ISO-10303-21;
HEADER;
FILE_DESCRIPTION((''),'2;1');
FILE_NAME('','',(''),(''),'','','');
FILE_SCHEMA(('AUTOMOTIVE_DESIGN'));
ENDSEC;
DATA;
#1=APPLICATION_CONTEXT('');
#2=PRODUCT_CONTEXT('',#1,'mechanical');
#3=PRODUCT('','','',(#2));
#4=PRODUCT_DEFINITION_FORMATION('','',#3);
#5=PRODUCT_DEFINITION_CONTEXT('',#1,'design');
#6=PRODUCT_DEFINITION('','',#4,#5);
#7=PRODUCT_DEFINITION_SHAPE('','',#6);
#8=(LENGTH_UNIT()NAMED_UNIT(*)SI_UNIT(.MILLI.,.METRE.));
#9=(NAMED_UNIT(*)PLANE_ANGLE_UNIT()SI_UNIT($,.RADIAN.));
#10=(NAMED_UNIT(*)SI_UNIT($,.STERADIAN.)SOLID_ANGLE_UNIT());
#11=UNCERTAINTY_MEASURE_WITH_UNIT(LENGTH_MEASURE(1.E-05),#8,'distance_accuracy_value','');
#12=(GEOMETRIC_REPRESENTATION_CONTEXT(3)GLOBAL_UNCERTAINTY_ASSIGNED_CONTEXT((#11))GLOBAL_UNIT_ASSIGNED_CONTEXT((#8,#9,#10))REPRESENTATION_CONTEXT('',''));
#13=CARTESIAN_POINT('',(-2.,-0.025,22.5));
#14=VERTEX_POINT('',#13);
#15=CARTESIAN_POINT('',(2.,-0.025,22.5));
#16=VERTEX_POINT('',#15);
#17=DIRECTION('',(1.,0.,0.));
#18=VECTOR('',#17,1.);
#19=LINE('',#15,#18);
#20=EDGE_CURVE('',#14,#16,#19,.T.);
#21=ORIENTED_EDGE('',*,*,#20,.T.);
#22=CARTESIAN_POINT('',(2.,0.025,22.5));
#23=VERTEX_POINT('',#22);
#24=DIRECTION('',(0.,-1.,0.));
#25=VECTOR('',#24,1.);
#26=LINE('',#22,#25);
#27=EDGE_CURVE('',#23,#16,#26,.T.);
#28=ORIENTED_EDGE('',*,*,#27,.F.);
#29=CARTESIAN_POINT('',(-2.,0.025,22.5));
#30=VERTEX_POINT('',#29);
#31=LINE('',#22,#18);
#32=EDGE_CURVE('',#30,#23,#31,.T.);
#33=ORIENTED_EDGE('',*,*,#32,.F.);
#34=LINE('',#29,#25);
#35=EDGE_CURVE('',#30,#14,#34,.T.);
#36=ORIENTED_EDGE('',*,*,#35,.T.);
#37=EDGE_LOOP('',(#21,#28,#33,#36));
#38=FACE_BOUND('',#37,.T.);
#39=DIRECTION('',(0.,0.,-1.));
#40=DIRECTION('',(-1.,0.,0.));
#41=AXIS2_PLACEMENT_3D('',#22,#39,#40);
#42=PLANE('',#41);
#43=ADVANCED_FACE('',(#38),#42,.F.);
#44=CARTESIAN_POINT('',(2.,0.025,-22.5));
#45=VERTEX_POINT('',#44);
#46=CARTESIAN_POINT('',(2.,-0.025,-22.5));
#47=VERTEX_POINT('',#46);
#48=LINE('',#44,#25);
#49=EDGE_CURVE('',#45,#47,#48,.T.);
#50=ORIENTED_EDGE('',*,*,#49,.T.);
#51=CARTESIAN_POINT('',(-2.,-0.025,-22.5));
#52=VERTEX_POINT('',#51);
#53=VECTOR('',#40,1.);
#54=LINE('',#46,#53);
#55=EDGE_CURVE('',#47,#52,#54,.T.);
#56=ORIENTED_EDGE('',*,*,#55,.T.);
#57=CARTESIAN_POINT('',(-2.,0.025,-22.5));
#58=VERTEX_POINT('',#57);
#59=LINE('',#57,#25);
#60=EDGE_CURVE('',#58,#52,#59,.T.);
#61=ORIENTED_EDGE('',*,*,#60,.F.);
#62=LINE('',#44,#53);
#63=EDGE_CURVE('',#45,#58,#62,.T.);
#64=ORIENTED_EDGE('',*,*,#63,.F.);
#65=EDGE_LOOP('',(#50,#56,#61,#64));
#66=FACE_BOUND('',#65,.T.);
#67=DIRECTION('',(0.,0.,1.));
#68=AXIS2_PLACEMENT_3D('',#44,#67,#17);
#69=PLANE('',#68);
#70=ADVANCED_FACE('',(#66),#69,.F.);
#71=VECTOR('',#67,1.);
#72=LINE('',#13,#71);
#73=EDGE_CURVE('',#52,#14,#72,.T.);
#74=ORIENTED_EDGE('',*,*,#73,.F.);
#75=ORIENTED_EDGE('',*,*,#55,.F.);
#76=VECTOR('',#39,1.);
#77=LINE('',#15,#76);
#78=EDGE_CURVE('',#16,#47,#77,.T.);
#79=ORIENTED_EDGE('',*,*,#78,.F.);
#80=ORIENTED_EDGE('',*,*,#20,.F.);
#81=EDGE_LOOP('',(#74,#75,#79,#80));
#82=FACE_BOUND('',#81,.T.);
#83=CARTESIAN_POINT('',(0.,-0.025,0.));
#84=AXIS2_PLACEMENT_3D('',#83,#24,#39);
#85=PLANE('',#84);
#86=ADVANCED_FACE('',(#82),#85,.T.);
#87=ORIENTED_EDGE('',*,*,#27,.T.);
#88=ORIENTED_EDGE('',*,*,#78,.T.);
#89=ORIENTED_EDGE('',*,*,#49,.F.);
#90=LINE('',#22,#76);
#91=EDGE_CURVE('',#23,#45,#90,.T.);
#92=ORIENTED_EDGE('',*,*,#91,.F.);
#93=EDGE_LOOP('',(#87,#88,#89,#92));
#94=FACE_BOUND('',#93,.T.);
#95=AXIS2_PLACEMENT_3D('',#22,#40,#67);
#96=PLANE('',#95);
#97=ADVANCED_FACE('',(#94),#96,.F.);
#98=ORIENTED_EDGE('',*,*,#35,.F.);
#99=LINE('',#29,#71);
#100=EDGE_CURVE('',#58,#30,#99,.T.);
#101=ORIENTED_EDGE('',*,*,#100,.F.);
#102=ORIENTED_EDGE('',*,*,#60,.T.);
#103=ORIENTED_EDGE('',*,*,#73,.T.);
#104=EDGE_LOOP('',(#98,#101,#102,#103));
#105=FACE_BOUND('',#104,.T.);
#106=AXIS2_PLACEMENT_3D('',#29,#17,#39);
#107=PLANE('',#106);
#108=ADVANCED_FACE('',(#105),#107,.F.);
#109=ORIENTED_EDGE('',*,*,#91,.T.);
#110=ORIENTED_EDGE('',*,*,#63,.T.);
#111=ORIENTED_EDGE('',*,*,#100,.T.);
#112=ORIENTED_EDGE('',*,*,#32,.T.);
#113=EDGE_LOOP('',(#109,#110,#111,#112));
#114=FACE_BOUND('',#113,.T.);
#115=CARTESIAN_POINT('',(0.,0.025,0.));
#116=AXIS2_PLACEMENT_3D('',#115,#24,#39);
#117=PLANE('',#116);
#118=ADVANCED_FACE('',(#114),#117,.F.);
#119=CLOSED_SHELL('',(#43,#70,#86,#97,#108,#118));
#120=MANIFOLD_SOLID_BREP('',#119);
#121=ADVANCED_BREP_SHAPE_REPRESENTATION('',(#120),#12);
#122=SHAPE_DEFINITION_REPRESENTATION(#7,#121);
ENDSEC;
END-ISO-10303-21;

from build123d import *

# Parameters (mm, degrees)
SKETCH2_W           = 4
SKETCH2_H           = 45
BOSS_EXTRUDE1_DEPTH = 0.025


with BuildPart() as part:
    # Sketch2 → Boss-Extrude1 (new, symmetric)
    with BuildSketch(Plane(origin=(0, 0, 0), x_dir=(1, 0, 0), z_dir=(0, 1, 0))):
        Rectangle(SKETCH2_W, SKETCH2_H)
    extrude(amount=BOSS_EXTRUDE1_DEPTH, both=True)


solid = part.part
